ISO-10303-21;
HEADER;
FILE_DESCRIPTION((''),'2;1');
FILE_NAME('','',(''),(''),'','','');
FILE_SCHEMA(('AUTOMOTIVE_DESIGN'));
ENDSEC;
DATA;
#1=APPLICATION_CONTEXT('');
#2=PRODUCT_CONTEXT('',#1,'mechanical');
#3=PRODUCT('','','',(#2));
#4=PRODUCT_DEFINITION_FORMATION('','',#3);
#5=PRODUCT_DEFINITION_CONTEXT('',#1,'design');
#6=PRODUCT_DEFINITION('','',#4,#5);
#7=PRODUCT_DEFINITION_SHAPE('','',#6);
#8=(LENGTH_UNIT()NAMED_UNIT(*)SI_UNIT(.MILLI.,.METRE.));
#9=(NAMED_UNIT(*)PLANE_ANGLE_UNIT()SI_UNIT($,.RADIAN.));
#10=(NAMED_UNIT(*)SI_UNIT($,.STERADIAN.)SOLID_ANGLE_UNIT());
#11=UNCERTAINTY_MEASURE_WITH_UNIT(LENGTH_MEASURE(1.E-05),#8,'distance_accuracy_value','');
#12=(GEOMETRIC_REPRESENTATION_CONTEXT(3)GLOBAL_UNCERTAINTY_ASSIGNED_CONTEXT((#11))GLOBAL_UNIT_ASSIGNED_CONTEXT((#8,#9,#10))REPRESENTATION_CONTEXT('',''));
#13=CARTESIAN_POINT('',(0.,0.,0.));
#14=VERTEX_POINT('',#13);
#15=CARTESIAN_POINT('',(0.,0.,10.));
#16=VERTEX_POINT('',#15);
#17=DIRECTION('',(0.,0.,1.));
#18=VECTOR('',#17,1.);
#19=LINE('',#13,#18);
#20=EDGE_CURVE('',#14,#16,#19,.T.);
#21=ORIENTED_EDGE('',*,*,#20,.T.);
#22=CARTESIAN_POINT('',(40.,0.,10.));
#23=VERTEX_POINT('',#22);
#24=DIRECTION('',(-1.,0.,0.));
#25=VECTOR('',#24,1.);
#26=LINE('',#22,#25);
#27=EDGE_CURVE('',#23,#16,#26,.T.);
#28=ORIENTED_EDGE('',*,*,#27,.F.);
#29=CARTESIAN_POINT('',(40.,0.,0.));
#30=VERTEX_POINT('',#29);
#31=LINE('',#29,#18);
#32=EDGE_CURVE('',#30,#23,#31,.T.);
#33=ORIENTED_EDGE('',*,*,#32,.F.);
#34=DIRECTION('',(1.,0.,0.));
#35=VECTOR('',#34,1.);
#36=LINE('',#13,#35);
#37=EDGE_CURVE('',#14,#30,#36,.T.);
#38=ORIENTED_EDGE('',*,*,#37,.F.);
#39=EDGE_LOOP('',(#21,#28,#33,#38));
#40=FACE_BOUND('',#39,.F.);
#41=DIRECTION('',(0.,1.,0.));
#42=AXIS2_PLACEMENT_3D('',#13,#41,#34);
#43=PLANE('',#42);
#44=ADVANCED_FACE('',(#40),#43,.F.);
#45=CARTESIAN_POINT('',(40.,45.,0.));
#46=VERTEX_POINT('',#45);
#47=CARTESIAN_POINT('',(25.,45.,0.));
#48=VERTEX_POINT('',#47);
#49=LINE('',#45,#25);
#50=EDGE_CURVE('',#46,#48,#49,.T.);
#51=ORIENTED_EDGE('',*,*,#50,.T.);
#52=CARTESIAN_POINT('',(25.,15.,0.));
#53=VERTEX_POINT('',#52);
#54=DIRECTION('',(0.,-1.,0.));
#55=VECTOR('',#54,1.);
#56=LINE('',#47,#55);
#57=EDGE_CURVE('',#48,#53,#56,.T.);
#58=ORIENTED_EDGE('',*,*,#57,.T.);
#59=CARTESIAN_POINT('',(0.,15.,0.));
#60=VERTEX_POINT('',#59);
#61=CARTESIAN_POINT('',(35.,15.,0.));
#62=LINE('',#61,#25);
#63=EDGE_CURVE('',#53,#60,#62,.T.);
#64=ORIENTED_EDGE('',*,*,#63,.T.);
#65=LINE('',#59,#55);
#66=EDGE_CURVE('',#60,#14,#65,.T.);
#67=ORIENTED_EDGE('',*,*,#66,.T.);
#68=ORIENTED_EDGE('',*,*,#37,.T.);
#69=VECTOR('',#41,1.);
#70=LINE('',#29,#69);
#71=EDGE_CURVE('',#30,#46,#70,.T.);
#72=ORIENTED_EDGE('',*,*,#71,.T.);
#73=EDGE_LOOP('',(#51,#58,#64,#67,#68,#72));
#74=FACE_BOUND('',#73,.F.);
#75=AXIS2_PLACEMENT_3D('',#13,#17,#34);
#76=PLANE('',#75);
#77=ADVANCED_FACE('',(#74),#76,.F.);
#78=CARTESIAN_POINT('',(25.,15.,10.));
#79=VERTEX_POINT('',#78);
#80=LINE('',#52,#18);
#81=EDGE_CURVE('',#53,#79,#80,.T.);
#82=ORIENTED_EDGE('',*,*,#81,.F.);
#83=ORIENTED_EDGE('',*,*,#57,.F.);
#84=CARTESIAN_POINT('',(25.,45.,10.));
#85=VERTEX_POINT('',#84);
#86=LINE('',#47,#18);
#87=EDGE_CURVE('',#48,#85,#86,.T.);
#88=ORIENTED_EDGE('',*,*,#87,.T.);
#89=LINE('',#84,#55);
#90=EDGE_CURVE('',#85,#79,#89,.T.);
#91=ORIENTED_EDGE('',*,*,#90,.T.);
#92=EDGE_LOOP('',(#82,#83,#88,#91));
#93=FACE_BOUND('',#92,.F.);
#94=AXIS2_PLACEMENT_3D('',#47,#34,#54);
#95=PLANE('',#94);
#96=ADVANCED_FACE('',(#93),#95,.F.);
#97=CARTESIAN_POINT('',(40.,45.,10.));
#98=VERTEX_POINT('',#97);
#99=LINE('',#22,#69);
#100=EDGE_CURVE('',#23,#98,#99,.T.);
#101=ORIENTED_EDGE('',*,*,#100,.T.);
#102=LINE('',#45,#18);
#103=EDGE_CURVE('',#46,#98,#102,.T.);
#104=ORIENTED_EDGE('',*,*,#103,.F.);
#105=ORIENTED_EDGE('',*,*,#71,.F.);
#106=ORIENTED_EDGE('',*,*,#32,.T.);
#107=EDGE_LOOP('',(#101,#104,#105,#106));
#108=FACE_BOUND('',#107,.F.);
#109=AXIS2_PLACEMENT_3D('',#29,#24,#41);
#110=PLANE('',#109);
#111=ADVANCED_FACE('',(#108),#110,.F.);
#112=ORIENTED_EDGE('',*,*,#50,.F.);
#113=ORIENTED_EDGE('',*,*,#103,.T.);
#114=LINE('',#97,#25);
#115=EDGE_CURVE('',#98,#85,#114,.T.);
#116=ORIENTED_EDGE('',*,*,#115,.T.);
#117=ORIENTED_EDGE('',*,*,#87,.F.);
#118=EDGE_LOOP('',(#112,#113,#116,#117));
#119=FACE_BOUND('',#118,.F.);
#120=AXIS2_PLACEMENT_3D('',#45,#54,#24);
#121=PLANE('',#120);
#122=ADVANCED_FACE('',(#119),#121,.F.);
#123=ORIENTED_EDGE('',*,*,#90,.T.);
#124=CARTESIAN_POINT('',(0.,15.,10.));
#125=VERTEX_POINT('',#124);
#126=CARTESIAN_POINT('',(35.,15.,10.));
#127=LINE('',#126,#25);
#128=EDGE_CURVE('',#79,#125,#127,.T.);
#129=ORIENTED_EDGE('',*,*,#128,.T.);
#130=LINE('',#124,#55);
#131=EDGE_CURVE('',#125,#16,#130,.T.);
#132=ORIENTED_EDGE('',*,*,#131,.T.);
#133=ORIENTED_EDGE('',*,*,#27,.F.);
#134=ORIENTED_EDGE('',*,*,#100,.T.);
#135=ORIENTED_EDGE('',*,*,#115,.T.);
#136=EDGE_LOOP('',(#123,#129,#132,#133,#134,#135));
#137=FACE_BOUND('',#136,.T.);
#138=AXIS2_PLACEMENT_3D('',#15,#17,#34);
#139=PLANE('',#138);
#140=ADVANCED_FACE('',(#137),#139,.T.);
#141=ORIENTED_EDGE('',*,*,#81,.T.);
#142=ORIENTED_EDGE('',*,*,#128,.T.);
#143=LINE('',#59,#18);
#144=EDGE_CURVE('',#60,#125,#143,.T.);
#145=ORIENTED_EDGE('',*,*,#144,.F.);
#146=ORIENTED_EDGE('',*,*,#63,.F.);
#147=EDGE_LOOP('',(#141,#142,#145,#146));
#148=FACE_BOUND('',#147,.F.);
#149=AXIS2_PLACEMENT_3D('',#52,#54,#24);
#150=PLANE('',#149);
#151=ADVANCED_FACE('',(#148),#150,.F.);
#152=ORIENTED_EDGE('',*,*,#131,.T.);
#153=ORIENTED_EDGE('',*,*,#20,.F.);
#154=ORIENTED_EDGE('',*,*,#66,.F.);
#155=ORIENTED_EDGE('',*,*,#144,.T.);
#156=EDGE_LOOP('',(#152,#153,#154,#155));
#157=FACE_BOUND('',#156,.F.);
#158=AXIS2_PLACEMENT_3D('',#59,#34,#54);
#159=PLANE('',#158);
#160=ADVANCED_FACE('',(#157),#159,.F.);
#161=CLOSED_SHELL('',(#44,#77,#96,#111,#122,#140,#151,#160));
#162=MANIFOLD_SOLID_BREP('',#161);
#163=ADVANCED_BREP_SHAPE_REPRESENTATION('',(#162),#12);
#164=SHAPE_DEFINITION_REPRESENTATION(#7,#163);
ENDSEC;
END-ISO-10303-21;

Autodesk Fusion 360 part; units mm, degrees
sketch "Sketch1" plane through (0, 0, 0) normal (0, 0, 1) x (1, 0, 0)
  line L0 (0, 0) -> (35, 0)
  line L1 (35, 0) -> (35, 15)
  line L2 (35, 15) -> (0, 15)
  line L3 (0, 15) -> (0, 0)
  line L4 (25, 0) -> (40, 0)
  line L5 (40, 0) -> (40, 45)
  line L6 (40, 45) -> (25, 45)
  line L7 (25, 45) -> (25, 0)
extrude "Extrude1" add sketch "Sketch1" along normal blind 10
sketch "Sketch2" plane through (0, 0, 0) normal (0, 1, 0) x (1, 0, 0)
